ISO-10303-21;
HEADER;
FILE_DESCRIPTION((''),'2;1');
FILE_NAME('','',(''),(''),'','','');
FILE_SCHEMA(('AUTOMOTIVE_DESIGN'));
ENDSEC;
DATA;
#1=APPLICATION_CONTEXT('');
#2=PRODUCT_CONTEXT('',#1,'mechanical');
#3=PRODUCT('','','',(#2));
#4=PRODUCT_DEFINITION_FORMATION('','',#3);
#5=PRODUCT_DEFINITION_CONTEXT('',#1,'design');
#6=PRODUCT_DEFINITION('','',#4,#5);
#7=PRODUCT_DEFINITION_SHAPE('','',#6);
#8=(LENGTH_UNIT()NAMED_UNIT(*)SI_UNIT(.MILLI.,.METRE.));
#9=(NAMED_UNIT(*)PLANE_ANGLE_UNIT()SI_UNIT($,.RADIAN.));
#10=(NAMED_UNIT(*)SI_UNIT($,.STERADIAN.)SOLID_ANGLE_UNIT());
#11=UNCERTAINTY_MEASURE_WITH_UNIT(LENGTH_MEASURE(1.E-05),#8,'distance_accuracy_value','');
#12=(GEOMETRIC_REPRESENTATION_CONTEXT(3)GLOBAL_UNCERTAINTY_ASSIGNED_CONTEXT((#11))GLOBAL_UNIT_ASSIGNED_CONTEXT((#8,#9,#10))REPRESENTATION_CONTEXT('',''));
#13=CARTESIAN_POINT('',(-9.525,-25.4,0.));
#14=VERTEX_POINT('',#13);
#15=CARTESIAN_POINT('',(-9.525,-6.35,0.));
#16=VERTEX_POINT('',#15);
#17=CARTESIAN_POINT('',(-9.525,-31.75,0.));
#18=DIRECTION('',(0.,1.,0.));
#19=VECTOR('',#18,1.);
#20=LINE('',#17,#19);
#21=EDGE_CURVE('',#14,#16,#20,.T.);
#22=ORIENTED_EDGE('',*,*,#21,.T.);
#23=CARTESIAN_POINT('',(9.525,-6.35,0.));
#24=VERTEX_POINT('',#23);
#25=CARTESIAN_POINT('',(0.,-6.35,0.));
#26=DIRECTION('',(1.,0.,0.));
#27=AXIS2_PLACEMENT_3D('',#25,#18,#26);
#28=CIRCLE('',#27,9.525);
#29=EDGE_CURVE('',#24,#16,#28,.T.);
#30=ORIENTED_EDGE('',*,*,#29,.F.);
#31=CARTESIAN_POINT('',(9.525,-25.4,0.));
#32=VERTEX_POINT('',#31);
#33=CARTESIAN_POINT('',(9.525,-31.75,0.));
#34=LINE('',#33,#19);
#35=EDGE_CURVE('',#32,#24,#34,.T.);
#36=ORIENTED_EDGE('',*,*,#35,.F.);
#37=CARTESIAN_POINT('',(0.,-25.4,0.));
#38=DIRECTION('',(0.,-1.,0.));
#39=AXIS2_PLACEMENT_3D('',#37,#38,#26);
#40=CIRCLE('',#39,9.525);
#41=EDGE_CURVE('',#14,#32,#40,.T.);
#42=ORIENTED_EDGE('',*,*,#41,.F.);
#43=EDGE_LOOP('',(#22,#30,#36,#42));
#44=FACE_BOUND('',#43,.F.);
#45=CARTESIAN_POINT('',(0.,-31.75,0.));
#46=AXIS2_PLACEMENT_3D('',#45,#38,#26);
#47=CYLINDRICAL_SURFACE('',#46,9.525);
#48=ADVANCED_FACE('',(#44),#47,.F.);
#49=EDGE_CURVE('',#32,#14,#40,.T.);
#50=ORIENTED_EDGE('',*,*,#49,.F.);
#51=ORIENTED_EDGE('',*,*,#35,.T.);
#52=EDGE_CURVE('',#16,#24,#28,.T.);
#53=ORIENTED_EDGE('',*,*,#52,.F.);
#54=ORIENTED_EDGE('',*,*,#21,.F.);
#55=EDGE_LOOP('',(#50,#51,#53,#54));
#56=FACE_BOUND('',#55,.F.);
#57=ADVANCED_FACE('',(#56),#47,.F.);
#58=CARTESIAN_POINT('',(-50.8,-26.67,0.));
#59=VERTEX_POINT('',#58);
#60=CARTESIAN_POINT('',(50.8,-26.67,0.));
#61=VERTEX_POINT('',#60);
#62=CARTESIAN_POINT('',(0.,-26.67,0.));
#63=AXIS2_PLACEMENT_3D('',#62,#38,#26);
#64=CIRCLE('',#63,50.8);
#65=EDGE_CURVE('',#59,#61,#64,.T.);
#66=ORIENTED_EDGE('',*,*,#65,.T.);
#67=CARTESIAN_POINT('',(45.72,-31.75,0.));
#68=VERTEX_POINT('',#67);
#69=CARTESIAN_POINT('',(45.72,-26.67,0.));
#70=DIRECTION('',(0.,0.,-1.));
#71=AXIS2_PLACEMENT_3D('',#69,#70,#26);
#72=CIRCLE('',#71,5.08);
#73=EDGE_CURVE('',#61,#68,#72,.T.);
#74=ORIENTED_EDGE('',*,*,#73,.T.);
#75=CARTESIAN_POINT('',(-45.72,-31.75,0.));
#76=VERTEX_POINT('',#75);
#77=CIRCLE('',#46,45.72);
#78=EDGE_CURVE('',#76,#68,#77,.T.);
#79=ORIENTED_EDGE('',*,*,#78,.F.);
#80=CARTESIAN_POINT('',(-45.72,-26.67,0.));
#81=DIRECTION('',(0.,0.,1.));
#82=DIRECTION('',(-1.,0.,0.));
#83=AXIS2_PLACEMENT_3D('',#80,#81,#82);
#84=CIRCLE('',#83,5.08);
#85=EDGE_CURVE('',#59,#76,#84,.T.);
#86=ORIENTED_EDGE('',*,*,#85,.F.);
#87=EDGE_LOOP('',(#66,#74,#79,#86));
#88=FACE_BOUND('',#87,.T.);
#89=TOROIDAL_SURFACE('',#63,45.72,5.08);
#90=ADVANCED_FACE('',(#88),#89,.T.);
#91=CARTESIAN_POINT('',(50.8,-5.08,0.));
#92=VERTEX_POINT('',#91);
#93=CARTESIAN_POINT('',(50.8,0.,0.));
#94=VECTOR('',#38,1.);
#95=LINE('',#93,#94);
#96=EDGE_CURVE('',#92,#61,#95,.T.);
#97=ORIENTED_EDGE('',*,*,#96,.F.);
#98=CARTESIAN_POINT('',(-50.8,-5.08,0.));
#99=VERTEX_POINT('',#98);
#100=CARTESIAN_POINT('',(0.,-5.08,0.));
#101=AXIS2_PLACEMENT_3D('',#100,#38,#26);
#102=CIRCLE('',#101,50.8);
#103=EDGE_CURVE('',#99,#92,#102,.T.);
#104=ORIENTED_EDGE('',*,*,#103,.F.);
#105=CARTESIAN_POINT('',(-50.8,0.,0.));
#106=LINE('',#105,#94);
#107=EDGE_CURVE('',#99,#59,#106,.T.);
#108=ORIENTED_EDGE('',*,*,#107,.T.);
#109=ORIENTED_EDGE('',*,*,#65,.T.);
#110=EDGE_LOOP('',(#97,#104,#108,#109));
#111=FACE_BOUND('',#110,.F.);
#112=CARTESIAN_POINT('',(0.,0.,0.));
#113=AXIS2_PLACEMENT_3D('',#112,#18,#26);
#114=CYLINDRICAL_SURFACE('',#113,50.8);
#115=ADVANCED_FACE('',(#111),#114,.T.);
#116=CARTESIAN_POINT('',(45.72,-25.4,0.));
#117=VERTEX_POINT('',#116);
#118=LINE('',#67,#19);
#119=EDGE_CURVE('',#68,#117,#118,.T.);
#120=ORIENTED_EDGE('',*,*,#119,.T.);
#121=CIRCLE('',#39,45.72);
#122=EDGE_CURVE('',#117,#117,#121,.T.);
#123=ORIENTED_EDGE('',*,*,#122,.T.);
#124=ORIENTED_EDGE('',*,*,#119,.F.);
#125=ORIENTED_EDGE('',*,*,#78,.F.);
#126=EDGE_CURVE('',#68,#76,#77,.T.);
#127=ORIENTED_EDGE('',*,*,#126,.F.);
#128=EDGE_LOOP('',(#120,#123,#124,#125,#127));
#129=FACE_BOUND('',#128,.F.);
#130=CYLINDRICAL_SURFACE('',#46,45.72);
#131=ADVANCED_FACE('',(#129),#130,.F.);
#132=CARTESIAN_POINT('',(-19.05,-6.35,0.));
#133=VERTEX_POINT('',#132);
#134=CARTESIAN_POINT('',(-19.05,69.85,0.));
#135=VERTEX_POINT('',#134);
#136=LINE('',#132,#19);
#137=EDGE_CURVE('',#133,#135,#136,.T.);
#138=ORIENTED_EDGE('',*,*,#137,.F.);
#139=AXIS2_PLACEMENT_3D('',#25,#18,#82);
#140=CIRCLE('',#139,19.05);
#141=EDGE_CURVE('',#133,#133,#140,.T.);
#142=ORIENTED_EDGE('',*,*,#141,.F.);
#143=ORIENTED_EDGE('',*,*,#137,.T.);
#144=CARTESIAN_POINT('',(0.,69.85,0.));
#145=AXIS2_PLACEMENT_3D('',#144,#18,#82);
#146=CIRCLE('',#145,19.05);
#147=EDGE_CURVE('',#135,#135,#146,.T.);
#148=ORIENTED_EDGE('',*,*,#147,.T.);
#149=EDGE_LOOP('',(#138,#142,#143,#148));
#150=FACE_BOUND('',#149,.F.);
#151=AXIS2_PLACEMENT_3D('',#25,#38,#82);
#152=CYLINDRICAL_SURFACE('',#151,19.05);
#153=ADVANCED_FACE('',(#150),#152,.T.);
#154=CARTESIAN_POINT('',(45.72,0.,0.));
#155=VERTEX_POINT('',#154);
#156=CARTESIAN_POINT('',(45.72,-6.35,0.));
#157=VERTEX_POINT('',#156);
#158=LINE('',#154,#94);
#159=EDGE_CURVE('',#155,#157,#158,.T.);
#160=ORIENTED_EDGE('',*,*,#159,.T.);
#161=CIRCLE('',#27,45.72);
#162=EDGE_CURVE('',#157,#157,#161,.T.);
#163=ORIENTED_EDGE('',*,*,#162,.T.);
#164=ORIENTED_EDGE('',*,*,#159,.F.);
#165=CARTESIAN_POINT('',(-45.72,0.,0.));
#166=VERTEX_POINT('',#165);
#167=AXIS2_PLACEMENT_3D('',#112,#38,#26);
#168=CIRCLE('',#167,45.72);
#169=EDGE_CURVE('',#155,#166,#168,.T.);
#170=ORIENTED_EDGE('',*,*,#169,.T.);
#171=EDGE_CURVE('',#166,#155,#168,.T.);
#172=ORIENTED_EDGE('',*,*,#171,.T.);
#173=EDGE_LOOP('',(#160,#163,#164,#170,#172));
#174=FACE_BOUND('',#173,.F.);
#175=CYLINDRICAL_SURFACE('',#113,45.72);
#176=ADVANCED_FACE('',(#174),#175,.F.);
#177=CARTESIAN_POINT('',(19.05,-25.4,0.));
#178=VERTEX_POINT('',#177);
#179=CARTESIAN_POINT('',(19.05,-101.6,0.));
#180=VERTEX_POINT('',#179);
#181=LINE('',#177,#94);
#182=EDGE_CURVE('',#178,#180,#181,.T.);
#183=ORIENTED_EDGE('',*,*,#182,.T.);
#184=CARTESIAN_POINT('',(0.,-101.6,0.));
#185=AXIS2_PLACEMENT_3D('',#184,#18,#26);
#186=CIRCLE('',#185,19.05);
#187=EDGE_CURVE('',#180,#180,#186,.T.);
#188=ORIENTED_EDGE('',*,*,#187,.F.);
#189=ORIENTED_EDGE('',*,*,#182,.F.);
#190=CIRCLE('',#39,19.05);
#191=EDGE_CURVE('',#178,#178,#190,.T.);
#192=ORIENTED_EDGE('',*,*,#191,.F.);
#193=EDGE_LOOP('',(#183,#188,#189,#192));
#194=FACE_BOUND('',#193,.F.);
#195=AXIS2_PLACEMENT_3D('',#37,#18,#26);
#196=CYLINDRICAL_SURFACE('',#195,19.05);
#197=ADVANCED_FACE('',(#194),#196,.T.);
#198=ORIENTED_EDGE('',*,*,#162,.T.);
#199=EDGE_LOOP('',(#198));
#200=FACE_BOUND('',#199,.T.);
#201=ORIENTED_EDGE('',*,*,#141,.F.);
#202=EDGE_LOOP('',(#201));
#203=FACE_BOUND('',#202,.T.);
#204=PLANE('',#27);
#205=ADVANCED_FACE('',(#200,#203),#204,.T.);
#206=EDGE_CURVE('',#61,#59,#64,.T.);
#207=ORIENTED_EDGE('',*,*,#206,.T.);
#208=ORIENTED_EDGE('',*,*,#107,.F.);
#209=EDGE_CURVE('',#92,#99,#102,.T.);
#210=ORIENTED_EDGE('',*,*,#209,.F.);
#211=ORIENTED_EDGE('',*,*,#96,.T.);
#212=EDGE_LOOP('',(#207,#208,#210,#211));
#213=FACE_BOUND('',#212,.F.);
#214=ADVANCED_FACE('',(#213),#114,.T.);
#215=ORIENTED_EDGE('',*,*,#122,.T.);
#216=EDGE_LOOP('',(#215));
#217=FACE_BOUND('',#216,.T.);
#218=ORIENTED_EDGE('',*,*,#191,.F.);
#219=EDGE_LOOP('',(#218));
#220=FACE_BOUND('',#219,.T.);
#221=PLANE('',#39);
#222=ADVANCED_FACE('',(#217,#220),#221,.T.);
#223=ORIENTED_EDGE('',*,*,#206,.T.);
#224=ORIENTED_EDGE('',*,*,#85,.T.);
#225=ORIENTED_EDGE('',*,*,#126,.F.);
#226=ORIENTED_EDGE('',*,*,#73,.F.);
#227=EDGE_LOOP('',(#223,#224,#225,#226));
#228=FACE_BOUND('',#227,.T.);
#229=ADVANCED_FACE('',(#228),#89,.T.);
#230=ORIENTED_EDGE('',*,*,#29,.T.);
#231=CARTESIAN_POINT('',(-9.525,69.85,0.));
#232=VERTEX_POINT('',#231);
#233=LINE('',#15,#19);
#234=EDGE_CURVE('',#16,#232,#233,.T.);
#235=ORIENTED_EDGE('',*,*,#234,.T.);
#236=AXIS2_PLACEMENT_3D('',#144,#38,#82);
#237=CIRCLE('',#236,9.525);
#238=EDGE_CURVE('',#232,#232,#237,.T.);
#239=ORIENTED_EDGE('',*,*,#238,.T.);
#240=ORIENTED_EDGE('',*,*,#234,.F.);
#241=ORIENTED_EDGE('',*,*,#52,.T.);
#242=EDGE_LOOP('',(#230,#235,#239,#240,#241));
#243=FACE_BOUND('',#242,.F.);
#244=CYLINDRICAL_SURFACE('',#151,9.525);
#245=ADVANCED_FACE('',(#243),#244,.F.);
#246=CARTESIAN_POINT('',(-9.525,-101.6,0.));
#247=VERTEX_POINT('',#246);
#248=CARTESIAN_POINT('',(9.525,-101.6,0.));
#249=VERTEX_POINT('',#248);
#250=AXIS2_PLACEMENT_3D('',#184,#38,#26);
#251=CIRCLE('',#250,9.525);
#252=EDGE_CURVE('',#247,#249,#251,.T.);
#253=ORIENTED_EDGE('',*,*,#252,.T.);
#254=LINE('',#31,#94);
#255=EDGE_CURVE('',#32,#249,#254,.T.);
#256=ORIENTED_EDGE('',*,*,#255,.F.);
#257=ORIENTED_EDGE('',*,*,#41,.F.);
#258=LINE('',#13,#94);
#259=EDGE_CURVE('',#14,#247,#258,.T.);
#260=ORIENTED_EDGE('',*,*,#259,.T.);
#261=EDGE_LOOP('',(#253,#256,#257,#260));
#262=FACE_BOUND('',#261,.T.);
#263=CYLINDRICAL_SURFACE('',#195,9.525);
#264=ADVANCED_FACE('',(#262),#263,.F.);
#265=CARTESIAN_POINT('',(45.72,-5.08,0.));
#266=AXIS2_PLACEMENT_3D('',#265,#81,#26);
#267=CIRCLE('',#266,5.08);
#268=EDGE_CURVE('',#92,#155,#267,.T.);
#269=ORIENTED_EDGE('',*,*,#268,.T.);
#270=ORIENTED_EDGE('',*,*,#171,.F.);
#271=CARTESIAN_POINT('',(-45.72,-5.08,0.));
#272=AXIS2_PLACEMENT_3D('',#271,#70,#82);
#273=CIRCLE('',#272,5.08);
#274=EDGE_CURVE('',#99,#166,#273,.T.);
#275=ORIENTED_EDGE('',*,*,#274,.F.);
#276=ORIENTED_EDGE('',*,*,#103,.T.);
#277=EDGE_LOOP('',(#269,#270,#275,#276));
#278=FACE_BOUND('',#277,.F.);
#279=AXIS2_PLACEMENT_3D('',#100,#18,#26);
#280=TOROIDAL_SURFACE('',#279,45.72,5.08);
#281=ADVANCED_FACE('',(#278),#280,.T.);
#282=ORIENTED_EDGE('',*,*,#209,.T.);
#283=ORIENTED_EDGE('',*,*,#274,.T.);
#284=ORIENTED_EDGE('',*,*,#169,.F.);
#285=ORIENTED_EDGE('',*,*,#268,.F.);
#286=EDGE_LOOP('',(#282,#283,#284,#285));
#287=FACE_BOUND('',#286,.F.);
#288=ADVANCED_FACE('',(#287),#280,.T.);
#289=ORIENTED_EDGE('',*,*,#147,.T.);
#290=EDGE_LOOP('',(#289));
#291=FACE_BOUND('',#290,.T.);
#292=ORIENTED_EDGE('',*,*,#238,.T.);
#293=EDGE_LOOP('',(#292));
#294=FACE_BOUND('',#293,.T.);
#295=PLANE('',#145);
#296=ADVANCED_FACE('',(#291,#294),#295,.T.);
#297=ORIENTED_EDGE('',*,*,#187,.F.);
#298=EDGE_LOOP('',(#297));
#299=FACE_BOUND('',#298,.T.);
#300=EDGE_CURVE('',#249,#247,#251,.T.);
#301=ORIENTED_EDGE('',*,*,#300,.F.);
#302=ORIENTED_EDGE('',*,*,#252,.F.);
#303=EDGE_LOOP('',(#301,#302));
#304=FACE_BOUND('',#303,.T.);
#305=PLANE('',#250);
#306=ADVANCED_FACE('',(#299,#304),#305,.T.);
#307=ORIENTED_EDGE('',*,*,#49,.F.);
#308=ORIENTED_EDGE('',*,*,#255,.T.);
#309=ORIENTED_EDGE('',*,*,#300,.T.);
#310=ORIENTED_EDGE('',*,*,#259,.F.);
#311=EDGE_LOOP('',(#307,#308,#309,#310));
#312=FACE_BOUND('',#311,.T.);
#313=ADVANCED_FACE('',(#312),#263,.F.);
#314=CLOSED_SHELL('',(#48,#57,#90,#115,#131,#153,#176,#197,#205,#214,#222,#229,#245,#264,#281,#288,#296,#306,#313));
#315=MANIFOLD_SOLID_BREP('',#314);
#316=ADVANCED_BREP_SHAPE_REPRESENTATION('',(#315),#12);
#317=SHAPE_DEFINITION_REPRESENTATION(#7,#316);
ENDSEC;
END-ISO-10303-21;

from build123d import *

# Parameters (mm, degrees)
F0_R         = 50.8
F1_DEPTH     = 31.75
F2_R         = 5.08
F3_R         = 9.525
F4_DEPTH     = 31.751
F1_FACE_R    = 45.72
F1_FACE_R_2  = 9.525
F5_DEPTH     = 6.35
F1_FACE1_R   = 45.72
F1_FACE1_R_2 = 9.525
F6_DEPTH     = 6.35
F7_R         = 19.05
F7_R_2       = 9.525
F8_DEPTH     = 76.2
F10_R        = 19.05
F11_DEPTH    = 76.2


with BuildPart() as f1:
    # F0 (on Front) → F1 (new body)
    with BuildSketch(Plane.XZ):
        Circle(F0_R)
    extrude(amount=F1_DEPTH)

    # F2
    f2_edges = [f1.edges().sort_by_distance(p)[0] for p in [
        (-50.8, -31.75, 0),
        (-50.8, 0, 0),
    ]]
    fillet(f2_edges, radius=F2_R)

    # F3 (on face) → F4 (cut, through all)
    with BuildSketch(Plane.XZ.offset(31.75)):
        Circle(F3_R)
    extrude(amount=-F4_DEPTH, mode=Mode.SUBTRACT)

    # F1_face (on face) → F5 (cut)
    with BuildSketch(Plane.XZ.offset(31.75)):
        Circle(F1_FACE_R)
        Circle(F1_FACE_R_2, mode=Mode.SUBTRACT)
    extrude(amount=-F5_DEPTH, mode=Mode.SUBTRACT)

    # F1_face1 (on face) → F6 (cut)
    with BuildSketch(Plane(origin=(0, 0, 0), x_dir=(1, 0, 0), z_dir=(0, 1, 0))):
        Circle(F1_FACE1_R)
        Circle(F1_FACE1_R_2, mode=Mode.SUBTRACT)
    extrude(amount=-F6_DEPTH, mode=Mode.SUBTRACT)

    # F7 (on face) → F8 (join)
    with BuildSketch(Plane.XZ.offset(25.4)):
        Circle(F7_R)
        Circle(F7_R_2, mode=Mode.SUBTRACT)
    extrude(amount=F8_DEPTH)

    # F9: F1 across plane


with BuildPart() as f1_1:
    add(f1.part)
    add(f1.part.mirror(Plane.YZ))

    # F10 (on face) → F11 (join)
    with BuildSketch(Plane(origin=(0, -6.35, 0), x_dir=(-1, 0, 0), z_dir=(0, 1, 0))):
        Circle(F10_R)
        with BuildLine():
            ThreePointArc((-9.525, 0), (0, 9.525), (9.525, 0))
            ThreePointArc((9.525, 0), (0, -9.525), (-9.525, 0))
        make_face(mode=Mode.SUBTRACT)
    extrude(amount=F11_DEPTH)


solid = f1_1.part
